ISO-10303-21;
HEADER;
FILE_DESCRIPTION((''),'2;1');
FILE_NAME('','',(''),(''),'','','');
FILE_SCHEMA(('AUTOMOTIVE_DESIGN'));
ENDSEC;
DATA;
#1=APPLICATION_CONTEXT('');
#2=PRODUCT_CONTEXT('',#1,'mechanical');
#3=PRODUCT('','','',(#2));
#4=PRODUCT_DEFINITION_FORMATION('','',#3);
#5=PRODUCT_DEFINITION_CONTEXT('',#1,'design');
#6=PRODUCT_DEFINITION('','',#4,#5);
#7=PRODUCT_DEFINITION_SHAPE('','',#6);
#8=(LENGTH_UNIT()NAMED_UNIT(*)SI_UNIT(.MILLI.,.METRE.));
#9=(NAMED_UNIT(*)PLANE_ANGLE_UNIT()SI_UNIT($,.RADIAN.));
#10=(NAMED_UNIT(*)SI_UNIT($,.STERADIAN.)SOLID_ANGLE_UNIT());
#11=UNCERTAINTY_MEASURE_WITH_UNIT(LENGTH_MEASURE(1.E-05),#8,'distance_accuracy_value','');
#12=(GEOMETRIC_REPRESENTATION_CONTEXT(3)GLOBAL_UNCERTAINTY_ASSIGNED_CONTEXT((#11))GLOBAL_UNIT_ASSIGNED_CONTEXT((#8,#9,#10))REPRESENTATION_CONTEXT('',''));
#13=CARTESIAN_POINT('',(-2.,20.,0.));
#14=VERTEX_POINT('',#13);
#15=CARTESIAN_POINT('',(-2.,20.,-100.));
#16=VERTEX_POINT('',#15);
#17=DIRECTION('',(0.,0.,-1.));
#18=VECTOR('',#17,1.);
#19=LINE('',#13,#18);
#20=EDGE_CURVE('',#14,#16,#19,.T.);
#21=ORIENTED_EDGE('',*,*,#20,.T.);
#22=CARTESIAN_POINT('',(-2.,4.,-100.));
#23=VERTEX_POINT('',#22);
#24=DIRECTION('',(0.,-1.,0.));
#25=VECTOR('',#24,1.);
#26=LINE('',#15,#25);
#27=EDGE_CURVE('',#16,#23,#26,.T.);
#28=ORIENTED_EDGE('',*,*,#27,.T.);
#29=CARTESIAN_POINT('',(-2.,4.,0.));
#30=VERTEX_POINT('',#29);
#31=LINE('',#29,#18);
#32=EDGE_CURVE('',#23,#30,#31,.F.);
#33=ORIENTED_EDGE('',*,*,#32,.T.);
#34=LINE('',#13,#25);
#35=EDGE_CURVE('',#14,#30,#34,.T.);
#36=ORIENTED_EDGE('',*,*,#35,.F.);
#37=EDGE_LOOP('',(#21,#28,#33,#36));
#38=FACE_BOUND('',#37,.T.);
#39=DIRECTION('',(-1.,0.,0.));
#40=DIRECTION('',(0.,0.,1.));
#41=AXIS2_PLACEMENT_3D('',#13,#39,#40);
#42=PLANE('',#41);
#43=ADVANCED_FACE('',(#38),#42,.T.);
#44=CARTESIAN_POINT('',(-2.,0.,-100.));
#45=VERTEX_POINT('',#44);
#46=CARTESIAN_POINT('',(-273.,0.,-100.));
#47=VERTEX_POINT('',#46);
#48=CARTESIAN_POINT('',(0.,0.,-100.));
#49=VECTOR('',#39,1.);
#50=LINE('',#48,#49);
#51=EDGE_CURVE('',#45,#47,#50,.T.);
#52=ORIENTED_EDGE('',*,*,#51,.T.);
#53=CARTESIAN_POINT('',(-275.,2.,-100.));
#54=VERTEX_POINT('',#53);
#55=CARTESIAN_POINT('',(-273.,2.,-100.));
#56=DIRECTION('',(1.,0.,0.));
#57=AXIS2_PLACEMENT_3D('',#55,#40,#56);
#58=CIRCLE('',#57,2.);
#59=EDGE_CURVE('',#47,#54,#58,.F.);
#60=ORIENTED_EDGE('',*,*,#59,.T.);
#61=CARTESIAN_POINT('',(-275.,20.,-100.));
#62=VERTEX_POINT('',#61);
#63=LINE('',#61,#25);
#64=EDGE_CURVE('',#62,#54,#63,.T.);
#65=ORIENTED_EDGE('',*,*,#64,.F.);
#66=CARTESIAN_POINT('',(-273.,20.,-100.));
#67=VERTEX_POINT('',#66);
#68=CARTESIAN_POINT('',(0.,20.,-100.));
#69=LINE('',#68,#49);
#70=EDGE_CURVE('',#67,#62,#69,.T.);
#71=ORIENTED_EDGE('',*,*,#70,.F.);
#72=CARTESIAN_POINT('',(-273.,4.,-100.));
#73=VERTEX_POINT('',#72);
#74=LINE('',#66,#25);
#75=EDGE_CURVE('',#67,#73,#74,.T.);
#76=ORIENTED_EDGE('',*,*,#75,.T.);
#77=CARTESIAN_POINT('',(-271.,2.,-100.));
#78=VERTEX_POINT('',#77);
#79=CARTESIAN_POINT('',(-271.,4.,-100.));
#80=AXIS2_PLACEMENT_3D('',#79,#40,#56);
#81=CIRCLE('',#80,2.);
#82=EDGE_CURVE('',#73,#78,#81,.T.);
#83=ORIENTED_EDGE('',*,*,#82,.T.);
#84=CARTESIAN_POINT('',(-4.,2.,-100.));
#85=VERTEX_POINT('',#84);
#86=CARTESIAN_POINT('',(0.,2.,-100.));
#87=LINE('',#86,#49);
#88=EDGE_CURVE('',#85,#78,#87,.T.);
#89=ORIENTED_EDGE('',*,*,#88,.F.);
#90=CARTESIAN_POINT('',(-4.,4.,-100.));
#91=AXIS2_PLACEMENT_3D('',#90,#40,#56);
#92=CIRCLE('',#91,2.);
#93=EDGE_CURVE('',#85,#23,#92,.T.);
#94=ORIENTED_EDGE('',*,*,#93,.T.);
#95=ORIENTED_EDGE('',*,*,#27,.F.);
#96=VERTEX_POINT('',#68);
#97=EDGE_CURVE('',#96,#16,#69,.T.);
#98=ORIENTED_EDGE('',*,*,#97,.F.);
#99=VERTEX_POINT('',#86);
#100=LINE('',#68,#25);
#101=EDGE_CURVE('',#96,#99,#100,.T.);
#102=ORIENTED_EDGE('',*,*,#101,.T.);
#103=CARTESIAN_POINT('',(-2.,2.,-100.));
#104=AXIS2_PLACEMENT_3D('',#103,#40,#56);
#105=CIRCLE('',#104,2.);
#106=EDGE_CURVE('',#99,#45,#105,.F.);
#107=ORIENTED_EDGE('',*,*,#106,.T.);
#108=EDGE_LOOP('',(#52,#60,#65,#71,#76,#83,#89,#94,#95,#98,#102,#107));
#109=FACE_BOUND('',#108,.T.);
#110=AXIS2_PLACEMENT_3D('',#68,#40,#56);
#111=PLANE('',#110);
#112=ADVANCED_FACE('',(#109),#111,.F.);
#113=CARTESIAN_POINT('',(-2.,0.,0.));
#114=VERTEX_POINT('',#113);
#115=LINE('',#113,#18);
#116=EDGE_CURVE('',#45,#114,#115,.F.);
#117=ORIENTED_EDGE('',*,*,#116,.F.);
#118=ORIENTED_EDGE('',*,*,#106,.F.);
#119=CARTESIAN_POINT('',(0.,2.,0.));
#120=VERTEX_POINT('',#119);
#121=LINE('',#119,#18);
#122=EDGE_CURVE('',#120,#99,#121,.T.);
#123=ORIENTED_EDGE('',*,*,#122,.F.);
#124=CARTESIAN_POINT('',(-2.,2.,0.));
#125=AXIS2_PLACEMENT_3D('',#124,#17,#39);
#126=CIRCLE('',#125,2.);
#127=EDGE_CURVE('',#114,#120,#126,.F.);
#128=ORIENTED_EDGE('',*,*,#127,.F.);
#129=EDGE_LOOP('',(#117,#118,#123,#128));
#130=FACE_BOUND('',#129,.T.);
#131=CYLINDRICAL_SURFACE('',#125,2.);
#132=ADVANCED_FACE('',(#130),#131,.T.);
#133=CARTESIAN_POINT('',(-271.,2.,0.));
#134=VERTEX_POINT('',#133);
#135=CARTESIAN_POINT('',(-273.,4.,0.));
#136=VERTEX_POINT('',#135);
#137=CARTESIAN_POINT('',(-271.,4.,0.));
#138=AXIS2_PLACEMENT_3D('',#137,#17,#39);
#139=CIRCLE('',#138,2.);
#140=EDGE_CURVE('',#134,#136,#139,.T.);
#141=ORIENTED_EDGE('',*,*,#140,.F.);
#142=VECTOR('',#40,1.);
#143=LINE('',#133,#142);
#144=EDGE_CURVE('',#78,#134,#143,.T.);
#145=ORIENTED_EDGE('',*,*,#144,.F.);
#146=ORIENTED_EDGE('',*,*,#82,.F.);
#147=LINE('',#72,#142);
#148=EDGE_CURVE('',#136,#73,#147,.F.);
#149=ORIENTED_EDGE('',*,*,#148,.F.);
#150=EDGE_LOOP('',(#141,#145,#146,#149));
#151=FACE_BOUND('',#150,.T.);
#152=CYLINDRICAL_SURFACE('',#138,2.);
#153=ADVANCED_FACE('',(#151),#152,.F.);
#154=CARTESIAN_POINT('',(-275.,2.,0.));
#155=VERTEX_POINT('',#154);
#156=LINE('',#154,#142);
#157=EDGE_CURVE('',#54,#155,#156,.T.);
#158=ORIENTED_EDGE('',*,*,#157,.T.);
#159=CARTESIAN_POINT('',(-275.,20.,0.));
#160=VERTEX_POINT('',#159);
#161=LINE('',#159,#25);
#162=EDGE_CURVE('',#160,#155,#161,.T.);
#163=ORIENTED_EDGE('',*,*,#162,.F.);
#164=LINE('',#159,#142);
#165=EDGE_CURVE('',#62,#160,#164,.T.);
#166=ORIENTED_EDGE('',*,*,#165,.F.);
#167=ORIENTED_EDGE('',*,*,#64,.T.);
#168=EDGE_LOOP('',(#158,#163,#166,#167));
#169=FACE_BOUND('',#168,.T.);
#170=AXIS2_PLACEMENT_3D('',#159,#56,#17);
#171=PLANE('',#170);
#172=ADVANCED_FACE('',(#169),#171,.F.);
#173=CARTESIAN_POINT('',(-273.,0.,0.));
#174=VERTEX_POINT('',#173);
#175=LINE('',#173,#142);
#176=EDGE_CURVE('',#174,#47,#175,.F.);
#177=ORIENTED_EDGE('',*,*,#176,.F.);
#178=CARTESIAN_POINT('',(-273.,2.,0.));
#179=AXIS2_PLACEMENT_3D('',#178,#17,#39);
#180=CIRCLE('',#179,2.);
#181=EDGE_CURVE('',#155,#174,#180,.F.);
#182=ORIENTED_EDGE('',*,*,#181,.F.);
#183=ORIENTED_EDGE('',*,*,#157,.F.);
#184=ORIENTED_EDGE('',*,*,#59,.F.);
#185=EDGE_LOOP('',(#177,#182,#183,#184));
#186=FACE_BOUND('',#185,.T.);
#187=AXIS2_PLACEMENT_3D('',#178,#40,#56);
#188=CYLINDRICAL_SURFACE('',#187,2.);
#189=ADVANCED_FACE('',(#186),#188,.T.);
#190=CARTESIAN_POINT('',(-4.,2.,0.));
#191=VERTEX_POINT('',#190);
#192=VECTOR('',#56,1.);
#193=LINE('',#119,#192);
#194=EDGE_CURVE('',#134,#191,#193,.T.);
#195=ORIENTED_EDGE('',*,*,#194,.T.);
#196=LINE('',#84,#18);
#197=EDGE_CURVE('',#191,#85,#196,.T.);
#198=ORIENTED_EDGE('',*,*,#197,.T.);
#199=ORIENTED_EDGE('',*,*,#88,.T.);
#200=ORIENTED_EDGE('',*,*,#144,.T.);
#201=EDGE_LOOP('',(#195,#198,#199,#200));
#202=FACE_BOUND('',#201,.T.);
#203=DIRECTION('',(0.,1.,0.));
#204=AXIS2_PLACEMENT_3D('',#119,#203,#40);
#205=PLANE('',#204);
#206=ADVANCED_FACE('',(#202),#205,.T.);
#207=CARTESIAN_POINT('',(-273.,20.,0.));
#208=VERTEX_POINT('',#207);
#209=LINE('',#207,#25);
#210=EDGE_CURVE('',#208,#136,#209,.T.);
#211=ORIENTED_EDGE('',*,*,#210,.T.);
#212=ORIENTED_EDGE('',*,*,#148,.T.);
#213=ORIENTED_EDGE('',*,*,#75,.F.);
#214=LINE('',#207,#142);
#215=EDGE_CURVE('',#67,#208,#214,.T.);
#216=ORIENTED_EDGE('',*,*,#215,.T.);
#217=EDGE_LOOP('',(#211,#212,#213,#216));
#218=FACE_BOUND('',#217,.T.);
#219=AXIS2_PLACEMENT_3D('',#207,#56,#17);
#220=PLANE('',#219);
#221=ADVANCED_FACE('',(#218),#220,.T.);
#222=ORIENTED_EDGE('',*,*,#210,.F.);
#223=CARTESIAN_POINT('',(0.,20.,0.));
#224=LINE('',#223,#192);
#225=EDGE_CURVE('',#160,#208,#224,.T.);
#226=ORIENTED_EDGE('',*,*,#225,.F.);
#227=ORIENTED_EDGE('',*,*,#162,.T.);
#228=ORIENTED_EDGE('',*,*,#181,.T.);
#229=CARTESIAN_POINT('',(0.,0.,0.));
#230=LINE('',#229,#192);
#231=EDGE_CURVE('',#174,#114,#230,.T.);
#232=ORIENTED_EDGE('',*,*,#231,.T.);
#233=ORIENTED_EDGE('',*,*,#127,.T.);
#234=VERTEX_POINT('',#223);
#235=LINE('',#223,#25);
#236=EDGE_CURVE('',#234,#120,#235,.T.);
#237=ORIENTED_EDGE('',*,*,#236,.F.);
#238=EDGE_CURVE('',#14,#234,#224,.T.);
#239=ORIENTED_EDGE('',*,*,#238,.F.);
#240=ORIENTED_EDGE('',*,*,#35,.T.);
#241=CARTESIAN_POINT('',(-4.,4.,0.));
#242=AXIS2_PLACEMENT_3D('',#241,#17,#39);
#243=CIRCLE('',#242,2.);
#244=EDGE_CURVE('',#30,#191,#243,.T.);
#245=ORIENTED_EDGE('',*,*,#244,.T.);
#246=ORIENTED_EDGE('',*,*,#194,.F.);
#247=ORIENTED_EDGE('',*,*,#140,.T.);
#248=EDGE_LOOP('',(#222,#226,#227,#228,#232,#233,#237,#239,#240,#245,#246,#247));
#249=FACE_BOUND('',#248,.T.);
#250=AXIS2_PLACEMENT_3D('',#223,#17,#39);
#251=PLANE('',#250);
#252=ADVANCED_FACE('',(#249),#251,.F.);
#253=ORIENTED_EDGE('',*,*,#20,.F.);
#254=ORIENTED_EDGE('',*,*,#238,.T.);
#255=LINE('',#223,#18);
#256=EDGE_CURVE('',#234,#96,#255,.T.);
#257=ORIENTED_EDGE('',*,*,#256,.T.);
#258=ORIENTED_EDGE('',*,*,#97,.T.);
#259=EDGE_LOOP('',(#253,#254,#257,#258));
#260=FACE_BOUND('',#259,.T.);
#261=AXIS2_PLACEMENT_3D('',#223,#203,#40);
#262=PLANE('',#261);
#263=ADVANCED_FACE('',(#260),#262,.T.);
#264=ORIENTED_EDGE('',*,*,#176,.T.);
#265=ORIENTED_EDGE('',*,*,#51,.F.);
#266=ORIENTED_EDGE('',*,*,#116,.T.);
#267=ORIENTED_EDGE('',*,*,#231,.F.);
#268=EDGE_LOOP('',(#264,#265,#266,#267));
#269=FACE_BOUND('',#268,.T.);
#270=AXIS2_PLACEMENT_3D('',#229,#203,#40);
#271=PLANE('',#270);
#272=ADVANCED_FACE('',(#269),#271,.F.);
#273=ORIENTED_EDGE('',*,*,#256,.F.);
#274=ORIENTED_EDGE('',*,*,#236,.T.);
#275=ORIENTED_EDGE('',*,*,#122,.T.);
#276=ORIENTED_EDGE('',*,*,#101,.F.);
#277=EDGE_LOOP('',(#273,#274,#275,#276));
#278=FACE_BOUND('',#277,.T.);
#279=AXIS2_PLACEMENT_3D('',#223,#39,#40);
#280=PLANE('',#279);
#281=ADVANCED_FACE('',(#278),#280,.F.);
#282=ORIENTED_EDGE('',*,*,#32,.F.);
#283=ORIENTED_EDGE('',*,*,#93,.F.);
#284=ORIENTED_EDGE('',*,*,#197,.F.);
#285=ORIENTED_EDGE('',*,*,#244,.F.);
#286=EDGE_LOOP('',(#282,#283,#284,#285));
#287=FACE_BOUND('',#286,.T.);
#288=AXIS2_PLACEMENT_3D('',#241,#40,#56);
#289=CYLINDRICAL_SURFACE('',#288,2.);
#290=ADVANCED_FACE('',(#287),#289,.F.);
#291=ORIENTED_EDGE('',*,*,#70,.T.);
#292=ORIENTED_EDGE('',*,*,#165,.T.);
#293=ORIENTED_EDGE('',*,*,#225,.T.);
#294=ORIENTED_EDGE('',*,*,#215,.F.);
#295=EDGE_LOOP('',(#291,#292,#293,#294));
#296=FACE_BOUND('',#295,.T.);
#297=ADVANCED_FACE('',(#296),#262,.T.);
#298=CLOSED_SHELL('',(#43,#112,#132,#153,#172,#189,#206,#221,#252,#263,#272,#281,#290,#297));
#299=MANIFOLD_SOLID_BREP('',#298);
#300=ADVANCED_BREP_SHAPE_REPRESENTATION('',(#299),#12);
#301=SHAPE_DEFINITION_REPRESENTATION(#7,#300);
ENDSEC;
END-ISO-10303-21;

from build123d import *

# Parameters (mm, degrees)
SKETCH1_W           = 275
SKETCH1_H           = 100
BOSS_EXTRUDE1_DEPTH = 20
SHELL2_T            = -2
FILLET1_R           = 2


with BuildPart() as part:
    # Sketch1 → Boss-Extrude1 (new body)
    with BuildSketch(Plane(origin=(0, 0, 0), x_dir=(1, 0, 0), z_dir=(0, 1, 0))):
        with Locations((-137.5, 50)):
            Rectangle(SKETCH1_W, SKETCH1_H)
    extrude(amount=BOSS_EXTRUDE1_DEPTH)

    # Shell2
    shell2_openings = [part.faces().sort_by_distance(p)[0] for p in [
        (-137.5, 20, -50),
        (-137.5, 10, 0),
        (-137.5, 10, -100),
    ]]
    offset(amount=SHELL2_T, openings=shell2_openings, kind=Kind.INTERSECTION)

    # Fillet1
    fillet1_edges = [part.edges().sort_by_distance(p)[0] for p in [
        (-2, 2, -50),
        (-273, 2, -50),
        (-275, 0, -50),
        (0, 0, -50),
    ]]
    fillet(fillet1_edges, radius=FILLET1_R)


solid = part.part
